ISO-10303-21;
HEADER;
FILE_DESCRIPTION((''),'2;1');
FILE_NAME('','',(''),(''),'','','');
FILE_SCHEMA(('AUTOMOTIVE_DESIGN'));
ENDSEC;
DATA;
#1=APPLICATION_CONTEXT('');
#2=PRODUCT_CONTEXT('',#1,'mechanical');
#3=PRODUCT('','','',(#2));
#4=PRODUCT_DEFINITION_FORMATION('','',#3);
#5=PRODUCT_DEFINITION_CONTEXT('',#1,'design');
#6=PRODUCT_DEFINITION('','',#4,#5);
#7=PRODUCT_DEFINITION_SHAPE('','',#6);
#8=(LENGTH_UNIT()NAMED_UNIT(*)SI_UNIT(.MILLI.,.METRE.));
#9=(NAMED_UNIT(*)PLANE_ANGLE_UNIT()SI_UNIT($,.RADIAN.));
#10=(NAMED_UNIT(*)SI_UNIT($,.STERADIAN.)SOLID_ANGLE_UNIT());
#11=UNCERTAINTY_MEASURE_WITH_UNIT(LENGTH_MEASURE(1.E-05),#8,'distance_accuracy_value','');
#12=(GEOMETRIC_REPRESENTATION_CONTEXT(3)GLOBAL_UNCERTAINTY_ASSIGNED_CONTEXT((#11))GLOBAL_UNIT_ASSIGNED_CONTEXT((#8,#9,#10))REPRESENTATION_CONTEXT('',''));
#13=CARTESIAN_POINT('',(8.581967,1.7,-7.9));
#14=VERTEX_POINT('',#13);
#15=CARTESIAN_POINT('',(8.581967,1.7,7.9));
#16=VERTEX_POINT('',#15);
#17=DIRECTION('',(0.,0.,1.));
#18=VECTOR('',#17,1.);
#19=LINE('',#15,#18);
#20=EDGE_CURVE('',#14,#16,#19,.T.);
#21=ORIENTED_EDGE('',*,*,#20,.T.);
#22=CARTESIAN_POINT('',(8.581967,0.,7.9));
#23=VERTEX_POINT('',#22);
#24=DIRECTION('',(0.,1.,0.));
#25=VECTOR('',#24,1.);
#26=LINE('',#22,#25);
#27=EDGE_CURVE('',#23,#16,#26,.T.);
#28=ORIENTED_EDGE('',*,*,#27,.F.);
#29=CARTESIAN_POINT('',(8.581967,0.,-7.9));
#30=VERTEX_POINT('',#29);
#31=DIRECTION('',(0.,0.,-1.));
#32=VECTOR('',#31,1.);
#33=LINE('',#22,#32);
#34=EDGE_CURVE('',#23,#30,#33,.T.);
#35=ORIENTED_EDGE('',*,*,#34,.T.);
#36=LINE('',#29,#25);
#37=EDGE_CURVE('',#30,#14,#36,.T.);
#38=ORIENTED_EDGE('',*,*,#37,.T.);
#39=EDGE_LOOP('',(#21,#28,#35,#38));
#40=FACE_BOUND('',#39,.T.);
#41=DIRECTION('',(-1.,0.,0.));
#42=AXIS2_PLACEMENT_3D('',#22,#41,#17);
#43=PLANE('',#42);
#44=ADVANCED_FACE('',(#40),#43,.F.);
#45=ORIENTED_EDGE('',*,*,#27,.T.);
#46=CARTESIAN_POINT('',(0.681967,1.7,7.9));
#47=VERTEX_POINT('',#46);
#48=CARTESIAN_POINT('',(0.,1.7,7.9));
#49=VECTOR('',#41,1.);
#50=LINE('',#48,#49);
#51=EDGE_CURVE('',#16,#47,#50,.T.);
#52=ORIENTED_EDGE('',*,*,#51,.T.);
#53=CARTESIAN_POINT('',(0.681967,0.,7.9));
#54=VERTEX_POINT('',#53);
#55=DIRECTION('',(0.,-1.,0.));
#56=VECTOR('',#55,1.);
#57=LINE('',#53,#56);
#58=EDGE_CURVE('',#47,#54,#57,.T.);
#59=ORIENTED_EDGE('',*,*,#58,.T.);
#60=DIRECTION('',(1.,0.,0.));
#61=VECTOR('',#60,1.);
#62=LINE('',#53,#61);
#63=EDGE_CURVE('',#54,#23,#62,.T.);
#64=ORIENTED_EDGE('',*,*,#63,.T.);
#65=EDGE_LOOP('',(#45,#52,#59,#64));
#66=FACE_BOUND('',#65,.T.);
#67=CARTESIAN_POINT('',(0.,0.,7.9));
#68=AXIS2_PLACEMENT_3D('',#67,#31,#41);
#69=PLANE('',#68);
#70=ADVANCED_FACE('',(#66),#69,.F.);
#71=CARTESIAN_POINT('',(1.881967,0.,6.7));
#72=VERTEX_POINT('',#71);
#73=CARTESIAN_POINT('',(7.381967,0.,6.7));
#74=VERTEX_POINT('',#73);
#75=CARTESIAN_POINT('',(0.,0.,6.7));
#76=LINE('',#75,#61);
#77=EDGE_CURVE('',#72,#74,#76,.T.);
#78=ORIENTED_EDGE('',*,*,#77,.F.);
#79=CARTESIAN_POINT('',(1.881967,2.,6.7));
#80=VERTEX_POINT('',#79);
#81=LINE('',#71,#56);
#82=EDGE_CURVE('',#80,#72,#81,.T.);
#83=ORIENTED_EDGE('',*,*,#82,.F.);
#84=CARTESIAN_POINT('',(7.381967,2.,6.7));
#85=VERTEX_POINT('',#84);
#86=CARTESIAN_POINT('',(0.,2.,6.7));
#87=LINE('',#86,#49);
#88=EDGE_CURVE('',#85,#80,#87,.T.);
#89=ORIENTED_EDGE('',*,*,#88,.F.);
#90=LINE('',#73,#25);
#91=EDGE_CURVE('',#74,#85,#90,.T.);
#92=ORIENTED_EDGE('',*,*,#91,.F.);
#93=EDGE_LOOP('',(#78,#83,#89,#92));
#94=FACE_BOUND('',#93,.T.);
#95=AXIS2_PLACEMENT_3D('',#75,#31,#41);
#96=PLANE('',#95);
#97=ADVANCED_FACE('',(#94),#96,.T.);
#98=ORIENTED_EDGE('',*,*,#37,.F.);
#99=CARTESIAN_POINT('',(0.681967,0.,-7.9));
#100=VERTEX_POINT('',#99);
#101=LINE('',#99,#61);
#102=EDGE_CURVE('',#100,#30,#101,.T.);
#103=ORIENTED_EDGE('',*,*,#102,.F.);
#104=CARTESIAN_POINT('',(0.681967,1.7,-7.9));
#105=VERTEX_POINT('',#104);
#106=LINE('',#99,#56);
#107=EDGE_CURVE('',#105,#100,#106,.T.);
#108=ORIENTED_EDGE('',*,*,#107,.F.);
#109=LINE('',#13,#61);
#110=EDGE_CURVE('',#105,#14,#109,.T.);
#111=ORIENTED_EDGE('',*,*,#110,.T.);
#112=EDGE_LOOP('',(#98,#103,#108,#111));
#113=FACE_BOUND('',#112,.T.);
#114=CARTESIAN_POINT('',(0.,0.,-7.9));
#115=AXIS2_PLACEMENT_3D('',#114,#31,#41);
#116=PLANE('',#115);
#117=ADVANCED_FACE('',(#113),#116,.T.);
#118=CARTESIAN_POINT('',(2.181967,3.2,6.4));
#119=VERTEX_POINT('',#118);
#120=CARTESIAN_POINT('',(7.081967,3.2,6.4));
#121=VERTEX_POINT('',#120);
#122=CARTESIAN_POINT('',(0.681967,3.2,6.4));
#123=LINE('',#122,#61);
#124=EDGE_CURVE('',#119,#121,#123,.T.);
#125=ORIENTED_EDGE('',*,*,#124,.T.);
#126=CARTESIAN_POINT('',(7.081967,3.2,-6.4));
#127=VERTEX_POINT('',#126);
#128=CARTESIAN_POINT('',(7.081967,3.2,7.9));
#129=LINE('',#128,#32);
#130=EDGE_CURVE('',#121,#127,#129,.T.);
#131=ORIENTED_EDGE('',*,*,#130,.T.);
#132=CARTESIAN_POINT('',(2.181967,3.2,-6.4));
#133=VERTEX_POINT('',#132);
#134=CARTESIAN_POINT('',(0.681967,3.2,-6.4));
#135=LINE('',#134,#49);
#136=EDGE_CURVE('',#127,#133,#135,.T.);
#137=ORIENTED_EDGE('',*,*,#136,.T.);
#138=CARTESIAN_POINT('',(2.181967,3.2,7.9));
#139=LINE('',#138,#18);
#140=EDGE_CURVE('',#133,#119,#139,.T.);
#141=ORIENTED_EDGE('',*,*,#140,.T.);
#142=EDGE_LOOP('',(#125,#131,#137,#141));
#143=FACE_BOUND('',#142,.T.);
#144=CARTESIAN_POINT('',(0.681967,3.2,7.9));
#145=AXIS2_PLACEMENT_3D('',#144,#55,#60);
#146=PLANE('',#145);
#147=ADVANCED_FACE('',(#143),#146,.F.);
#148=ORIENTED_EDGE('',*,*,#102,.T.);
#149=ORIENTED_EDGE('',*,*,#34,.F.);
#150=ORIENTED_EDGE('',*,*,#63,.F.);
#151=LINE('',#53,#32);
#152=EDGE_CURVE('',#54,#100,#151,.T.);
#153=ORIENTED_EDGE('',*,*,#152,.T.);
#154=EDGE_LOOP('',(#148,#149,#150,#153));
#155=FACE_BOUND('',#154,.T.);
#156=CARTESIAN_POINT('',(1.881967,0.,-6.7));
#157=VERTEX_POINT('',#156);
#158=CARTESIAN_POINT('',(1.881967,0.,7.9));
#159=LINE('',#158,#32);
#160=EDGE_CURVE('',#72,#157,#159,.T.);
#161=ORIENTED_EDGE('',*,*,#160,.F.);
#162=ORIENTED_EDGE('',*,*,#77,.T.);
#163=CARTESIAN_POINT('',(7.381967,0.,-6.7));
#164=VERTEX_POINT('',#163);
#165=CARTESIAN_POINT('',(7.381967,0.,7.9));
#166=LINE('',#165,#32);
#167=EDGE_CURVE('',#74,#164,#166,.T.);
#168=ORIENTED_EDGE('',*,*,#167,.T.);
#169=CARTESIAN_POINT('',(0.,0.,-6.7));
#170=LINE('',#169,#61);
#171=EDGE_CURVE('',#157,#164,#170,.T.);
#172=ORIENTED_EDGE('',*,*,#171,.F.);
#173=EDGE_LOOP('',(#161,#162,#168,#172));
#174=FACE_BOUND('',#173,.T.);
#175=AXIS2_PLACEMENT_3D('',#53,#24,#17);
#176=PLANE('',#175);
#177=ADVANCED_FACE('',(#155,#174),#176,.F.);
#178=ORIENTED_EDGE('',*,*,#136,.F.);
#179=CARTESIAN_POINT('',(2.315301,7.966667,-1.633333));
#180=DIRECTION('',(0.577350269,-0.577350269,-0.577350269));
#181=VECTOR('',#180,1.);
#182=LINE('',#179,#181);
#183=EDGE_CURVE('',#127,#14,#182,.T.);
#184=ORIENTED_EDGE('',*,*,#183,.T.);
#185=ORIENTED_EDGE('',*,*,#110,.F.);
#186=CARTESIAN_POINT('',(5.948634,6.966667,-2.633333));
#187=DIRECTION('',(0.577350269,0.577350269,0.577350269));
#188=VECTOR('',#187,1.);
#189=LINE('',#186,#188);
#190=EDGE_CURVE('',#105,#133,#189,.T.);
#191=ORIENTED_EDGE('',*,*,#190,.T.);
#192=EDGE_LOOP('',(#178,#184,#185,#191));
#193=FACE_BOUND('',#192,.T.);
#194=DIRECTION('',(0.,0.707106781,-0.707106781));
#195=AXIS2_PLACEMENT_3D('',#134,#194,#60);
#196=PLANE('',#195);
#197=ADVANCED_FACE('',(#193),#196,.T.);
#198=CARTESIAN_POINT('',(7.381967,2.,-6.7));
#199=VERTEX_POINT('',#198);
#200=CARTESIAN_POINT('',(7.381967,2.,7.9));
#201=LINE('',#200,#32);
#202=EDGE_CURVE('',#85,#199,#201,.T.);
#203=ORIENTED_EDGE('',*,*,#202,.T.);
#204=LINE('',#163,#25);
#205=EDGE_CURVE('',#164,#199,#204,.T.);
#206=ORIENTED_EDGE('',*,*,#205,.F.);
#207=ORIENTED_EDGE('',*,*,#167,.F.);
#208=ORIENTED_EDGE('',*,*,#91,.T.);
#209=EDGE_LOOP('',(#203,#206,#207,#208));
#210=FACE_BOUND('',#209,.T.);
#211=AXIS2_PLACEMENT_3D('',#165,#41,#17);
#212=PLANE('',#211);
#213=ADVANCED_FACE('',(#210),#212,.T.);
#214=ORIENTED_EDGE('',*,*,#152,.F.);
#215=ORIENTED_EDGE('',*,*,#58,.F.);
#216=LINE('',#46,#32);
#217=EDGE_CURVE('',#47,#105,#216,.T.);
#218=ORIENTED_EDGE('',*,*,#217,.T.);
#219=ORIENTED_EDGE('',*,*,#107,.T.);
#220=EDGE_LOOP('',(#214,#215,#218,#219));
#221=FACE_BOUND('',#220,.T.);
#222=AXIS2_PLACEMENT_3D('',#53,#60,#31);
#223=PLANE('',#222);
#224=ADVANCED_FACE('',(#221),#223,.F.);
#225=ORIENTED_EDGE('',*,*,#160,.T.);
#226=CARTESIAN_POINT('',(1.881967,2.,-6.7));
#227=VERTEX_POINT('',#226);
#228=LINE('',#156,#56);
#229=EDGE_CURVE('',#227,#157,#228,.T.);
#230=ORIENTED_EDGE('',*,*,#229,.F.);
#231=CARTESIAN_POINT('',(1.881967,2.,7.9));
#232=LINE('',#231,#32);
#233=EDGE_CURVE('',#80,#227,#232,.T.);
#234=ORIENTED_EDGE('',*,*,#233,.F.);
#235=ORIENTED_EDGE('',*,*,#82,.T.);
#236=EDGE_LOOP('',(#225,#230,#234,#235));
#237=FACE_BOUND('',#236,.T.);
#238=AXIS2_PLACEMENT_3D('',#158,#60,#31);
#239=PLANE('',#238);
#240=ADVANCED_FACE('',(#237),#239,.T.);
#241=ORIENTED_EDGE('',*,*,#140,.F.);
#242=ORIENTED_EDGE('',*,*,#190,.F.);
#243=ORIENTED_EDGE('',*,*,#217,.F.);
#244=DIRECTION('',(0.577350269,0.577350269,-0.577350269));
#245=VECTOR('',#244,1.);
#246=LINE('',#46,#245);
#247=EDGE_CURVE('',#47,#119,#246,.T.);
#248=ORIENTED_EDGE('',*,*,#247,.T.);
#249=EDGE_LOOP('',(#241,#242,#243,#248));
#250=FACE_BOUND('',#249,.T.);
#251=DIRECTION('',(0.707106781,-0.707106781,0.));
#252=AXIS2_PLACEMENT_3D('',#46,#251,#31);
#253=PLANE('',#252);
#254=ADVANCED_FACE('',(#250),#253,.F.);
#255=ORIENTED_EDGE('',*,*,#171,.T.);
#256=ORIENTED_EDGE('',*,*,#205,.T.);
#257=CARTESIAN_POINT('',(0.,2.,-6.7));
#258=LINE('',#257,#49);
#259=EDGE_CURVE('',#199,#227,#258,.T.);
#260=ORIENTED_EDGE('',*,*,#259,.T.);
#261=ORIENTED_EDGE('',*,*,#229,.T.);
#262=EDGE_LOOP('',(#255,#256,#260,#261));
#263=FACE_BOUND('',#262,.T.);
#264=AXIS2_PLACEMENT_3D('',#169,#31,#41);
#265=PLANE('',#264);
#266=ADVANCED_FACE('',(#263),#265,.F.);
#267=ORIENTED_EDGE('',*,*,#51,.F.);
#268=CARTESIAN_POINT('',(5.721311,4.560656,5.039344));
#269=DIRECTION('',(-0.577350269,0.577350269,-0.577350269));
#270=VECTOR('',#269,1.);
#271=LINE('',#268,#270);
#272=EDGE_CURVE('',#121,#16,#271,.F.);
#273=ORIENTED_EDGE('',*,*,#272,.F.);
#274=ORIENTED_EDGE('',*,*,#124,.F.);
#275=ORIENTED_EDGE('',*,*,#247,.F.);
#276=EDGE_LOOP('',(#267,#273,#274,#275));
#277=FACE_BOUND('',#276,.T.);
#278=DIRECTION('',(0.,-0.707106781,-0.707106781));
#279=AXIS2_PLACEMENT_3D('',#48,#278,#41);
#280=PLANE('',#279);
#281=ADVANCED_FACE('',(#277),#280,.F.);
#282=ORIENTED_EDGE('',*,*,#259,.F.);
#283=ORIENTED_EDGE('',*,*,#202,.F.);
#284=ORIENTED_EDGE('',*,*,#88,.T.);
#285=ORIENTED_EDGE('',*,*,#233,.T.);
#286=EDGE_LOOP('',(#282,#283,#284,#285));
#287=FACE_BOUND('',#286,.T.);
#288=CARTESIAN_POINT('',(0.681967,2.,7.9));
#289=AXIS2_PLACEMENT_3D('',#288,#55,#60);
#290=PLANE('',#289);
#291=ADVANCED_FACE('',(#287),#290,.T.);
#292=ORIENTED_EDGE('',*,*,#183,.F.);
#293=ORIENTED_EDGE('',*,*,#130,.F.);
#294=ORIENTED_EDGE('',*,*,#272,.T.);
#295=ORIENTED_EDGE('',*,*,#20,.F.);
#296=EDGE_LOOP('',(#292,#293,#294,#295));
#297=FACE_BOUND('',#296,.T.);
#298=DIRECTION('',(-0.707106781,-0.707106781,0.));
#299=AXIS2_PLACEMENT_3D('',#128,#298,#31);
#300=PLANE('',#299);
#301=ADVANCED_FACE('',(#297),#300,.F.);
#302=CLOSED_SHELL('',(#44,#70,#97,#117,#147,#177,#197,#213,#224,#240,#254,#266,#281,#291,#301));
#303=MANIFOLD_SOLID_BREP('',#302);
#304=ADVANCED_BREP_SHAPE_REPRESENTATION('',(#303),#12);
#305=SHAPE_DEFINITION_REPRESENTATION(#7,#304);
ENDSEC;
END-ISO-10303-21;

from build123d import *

# Parameters (mm, degrees)
MAINBASESKETCH_W      = 7.9
MAINBASESKETCH_H      = 3.2
MAINBASEEXTRUDE_DEPTH = 7.9
MAINBASESHELL_T       = -1.2
CHAMFER1_SIZE         = 1.5


with BuildPart() as part:
    # MainBaseSketch → MainBaseExtrude (new, symmetric)
    with BuildSketch(Plane.XY):
        with Locations((4.631967213, 1.6)):
            Rectangle(MAINBASESKETCH_W, MAINBASESKETCH_H)
    extrude(amount=MAINBASEEXTRUDE_DEPTH, both=True)

    # MainBaseShell
    mainbaseshell_openings = [part.faces().sort_by_distance(p)[0] for p in [
        (4.631967213, 0, 0),
    ]]
    offset(amount=MAINBASESHELL_T, openings=mainbaseshell_openings, kind=Kind.INTERSECTION)

    # Chamfer1
    chamfer1_edges = [part.edges().sort_by_distance(p)[0] for p in [
        (4.631967213, 3.2, 7.9),
        (4.631967213, 3.2, -7.9),
        (0.681967213, 3.2, 0),
        (8.581967213, 3.2, 0),
    ]]
    chamfer(chamfer1_edges, length=CHAMFER1_SIZE)


solid = part.part
